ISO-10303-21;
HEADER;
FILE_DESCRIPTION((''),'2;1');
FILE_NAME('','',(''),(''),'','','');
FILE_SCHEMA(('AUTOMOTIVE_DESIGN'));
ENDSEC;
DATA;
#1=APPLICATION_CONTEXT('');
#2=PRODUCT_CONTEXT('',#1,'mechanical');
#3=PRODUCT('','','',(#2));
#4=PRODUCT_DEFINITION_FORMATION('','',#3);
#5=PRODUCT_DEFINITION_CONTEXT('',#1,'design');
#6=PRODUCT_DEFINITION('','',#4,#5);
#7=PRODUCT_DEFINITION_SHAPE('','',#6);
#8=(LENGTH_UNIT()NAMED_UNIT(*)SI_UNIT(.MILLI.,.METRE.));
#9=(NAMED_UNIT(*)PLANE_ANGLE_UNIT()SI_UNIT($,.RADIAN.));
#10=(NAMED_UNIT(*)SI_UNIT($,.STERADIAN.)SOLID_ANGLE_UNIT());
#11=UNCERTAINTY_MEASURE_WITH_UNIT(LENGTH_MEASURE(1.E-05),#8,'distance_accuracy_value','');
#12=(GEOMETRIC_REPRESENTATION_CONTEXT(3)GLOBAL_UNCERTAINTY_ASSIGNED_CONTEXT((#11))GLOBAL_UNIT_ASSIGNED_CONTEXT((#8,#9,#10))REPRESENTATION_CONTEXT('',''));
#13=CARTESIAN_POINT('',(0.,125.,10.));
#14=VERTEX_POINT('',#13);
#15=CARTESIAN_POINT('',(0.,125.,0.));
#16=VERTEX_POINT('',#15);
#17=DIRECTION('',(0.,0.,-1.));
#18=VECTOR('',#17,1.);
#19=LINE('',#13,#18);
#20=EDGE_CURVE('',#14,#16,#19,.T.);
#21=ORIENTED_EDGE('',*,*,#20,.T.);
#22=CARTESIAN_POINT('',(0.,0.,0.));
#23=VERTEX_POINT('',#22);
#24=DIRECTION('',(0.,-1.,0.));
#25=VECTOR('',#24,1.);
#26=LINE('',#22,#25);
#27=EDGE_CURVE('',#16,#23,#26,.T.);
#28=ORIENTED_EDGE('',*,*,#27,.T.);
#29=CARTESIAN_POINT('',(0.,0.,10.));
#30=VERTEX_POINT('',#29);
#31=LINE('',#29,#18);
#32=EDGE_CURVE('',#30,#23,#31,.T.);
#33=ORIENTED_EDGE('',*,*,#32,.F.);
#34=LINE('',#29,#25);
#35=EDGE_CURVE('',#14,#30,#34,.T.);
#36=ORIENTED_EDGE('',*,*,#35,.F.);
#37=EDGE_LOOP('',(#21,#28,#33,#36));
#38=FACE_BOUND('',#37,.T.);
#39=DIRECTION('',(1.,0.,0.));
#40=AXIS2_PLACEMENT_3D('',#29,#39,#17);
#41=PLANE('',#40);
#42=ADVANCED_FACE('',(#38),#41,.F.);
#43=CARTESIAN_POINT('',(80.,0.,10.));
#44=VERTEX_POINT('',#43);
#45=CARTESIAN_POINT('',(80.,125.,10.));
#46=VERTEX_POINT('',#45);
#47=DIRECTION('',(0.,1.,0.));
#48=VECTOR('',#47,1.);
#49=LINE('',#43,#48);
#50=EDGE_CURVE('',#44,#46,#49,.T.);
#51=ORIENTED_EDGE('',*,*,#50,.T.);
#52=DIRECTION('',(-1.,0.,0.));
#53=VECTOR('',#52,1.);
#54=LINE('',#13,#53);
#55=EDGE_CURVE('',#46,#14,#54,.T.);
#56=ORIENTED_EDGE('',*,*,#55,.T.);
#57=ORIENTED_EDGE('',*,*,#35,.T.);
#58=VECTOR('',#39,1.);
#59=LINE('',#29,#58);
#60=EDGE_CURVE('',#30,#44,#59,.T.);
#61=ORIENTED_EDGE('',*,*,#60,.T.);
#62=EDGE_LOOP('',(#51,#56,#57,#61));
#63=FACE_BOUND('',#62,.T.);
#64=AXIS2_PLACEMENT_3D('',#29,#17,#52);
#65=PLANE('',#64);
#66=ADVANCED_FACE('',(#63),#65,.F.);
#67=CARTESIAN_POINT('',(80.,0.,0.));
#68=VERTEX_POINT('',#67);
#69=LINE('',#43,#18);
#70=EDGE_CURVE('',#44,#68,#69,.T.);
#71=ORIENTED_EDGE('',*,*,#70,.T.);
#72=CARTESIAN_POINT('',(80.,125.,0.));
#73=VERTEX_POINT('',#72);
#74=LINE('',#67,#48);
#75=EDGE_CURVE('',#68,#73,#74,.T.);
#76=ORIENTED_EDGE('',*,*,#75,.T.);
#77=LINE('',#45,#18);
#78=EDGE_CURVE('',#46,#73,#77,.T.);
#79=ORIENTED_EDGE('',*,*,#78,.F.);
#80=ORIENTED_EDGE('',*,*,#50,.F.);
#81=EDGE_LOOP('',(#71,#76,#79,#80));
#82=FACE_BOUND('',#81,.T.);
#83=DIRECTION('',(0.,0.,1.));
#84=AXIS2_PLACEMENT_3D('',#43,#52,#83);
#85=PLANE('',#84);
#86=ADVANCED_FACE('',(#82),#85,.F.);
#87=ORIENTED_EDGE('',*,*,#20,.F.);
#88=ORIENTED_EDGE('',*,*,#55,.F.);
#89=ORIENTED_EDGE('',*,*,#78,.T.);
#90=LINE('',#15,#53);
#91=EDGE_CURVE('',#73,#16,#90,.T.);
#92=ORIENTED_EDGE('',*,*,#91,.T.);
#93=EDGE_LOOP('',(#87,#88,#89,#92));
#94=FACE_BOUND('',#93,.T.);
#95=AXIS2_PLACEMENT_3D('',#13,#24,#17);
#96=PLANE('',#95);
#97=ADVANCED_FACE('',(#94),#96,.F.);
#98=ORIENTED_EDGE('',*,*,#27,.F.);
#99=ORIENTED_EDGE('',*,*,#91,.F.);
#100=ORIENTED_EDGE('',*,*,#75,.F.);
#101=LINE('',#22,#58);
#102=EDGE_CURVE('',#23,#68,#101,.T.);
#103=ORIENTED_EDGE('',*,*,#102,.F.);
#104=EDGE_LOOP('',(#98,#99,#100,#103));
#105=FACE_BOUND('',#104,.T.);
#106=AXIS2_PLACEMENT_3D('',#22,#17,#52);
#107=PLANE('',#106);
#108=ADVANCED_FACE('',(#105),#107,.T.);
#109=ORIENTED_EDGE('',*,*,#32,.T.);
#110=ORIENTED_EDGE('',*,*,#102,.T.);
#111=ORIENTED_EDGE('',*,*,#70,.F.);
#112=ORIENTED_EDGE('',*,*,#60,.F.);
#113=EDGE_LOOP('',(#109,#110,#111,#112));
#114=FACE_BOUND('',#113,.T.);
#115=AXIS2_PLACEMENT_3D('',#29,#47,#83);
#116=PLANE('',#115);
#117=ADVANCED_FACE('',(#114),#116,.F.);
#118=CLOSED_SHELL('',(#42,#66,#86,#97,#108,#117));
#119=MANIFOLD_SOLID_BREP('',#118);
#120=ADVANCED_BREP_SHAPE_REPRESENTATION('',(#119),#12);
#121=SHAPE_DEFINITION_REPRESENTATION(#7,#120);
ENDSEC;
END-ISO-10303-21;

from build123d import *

# Parameters (mm, degrees)
CROQUIS1_W              = 80
CROQUIS1_H              = 125
SALIENTE_EXTRUIR1_DEPTH = 10


with BuildPart() as part:
    # Croquis1 → Saliente-Extruir1 (new body)
    with BuildSketch(Plane.XY):
        with Locations((40, 62.5)):
            Rectangle(CROQUIS1_W, CROQUIS1_H)
    extrude(amount=SALIENTE_EXTRUIR1_DEPTH)


solid = part.part
